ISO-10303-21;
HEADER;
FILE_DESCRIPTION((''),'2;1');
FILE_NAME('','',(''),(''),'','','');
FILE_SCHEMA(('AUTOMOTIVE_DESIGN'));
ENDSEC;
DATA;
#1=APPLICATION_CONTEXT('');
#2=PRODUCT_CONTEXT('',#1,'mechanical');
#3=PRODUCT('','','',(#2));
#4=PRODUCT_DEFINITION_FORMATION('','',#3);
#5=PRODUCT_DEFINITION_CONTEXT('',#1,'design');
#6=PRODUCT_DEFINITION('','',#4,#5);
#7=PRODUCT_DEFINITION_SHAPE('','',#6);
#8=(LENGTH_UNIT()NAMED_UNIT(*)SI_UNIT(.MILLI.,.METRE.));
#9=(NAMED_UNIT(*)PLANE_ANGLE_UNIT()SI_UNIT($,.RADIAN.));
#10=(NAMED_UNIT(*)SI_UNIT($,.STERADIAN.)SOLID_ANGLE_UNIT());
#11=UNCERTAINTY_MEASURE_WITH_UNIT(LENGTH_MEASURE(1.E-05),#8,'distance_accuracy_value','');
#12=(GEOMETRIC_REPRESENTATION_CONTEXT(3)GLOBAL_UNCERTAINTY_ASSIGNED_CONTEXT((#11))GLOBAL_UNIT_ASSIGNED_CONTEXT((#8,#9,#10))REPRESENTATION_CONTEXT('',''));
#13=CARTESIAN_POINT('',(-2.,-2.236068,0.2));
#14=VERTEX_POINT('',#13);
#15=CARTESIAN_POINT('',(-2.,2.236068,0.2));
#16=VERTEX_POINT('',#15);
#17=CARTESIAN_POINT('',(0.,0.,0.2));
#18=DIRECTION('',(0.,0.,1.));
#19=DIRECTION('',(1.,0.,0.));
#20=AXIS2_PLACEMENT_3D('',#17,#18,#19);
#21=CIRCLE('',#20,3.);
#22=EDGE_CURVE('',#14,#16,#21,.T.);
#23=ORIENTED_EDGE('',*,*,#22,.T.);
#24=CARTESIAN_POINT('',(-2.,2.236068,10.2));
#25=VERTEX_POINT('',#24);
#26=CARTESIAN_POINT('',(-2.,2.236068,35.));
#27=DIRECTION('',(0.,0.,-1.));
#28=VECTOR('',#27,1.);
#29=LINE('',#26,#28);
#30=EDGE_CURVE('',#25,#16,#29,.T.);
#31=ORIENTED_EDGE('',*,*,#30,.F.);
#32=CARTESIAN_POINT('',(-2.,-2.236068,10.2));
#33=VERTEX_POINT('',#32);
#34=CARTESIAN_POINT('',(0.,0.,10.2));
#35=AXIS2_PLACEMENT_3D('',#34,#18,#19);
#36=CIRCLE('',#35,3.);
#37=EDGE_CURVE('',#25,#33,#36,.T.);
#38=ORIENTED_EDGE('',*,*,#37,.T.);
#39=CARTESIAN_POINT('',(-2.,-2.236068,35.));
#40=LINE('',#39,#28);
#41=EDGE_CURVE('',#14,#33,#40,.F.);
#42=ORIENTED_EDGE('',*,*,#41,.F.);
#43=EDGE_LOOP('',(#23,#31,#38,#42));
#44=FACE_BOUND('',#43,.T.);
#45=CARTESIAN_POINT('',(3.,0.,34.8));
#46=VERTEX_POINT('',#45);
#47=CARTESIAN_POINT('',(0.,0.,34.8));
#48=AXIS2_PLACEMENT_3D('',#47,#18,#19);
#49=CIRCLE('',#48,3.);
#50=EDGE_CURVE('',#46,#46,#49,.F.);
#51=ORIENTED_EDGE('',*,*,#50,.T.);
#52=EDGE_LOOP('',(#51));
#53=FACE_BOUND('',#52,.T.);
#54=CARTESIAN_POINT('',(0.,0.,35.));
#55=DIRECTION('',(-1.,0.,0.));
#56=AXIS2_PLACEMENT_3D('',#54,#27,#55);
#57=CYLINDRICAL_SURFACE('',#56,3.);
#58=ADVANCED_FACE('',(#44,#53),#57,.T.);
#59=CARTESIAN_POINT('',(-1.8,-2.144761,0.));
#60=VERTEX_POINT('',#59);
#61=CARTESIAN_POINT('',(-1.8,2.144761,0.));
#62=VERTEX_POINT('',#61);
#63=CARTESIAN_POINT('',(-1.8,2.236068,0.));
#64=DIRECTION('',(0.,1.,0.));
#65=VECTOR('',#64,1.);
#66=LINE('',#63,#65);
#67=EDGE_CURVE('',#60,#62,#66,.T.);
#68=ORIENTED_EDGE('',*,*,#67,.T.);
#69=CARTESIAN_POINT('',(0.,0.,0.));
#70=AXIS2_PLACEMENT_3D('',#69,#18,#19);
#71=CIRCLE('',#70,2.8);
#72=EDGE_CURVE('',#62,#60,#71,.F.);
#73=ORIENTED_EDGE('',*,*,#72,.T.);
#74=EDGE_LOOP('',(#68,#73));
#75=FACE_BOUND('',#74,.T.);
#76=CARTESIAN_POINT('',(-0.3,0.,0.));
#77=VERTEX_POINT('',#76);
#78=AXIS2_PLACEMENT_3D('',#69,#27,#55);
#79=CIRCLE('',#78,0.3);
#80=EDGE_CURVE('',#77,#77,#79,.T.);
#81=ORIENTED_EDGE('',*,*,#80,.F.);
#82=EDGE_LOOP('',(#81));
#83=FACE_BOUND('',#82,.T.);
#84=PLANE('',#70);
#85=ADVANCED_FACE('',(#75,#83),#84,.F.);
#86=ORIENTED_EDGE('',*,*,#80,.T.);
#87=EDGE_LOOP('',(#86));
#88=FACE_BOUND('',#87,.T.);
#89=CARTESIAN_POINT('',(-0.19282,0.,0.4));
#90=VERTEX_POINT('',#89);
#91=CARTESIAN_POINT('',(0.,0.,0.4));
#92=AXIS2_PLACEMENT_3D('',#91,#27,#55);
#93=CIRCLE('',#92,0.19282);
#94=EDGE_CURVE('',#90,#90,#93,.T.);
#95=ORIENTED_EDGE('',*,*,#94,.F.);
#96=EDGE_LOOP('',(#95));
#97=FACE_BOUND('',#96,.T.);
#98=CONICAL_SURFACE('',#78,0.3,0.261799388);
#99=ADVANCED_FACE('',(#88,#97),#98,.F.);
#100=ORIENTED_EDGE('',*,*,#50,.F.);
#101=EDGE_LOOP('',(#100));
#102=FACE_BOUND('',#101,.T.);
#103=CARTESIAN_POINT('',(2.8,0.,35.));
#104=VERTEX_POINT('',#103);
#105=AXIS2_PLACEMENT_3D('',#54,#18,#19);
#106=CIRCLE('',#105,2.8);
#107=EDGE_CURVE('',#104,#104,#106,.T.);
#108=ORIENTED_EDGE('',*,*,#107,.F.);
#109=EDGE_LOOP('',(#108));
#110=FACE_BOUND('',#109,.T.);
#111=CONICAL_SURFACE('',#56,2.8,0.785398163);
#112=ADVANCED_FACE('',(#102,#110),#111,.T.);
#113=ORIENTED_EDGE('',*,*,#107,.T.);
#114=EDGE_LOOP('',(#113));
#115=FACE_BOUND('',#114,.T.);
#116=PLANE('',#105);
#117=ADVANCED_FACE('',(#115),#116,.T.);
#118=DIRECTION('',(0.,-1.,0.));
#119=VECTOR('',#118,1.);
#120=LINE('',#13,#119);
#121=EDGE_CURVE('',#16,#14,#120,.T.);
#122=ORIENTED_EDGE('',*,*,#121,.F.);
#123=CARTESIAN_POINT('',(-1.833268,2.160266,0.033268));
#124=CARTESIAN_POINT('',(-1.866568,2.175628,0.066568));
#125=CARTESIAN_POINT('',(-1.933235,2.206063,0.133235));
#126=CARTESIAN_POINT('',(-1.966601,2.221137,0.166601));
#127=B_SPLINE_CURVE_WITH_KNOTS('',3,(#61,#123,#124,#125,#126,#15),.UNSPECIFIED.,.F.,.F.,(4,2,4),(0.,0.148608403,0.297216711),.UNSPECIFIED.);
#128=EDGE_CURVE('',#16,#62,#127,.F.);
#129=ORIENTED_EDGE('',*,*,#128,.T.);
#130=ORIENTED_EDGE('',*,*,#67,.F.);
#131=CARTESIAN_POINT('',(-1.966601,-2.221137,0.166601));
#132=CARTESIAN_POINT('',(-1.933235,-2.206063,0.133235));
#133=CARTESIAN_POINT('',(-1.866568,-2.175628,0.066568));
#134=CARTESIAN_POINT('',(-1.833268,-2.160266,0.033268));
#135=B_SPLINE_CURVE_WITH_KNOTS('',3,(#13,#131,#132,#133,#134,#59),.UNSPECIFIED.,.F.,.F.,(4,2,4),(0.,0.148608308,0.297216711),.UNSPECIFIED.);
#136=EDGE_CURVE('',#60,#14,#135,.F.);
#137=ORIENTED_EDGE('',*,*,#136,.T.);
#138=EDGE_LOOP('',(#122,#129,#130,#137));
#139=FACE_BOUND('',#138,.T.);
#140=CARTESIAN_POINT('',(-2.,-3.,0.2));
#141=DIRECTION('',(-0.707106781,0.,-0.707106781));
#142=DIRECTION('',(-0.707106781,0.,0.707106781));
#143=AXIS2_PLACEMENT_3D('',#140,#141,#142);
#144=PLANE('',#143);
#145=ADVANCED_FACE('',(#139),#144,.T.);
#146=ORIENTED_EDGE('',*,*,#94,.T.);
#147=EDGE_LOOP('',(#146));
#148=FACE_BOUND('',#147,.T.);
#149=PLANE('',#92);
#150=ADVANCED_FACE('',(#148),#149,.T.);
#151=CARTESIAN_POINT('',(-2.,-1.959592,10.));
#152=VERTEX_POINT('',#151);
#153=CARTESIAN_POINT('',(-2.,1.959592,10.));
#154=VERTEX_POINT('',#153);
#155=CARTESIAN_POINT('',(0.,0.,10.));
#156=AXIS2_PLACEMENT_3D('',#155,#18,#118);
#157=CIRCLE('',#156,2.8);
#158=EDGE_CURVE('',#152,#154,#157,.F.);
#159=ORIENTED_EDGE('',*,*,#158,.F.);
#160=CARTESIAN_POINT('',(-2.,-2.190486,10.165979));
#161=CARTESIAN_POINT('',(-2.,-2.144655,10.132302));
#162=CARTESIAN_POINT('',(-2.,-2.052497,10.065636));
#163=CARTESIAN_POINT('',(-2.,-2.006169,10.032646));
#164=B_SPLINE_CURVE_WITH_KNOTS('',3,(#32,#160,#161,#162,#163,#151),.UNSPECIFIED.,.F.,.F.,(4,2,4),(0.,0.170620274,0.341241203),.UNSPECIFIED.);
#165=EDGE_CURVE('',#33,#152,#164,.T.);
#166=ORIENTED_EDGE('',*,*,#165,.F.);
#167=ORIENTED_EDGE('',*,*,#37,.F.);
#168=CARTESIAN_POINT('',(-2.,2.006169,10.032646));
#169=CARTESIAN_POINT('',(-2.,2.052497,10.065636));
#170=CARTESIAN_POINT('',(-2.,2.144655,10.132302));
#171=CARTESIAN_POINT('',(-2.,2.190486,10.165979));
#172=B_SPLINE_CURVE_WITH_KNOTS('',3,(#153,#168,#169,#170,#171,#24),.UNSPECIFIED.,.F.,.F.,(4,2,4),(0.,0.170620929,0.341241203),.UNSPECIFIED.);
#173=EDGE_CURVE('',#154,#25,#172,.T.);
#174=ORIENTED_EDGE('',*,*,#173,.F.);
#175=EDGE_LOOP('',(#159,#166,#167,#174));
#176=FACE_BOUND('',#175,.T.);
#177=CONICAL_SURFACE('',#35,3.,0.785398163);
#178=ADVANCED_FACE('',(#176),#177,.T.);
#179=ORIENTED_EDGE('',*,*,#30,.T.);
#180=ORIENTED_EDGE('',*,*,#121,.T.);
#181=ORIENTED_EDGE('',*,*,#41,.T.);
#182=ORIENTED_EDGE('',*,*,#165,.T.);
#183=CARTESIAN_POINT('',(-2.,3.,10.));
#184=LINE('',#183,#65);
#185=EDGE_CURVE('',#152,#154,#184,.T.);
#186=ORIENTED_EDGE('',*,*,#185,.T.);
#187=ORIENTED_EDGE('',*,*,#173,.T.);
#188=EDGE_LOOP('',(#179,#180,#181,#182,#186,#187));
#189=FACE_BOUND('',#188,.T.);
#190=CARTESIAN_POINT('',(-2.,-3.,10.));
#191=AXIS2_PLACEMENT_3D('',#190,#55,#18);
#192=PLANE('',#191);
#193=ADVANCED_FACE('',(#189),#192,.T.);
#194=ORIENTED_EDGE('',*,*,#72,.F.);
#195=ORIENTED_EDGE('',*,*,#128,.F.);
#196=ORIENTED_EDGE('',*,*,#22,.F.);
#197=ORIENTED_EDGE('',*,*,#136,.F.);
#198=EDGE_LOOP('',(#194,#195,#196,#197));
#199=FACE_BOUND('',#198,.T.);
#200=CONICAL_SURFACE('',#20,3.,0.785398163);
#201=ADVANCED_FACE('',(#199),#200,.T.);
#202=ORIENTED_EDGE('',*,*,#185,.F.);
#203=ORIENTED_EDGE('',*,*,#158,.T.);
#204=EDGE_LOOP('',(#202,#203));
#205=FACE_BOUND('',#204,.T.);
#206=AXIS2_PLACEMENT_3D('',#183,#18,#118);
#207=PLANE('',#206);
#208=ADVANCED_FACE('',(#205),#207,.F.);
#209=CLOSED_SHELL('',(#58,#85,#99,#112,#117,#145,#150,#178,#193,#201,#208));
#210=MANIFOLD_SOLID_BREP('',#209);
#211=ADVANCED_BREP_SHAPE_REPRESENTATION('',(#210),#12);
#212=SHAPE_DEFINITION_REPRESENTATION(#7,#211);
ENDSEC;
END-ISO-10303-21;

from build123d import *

# Parameters (mm, degrees)
SKETCH1_R           = 3
BOSS_EXTRUDE1_DEPTH = 35
SKETCH2_W           = 10
SKETCH2_H           = 6
CUT_EXTRUDE1_DEPTH  = 1
CHAMFER1_SIZE       = 0.2
SKETCH3_R           = 0.3
CUT_EXTRUDE2_DEPTH  = 0.4
CUT_EXTRUDE2_DRAFT  = -15


with BuildPart() as part:
    # Sketch1 → Boss-Extrude1 (new body)
    with BuildSketch(Plane.XY):
        Circle(SKETCH1_R)
    extrude(amount=BOSS_EXTRUDE1_DEPTH)

    # Sketch2 → Cut-Extrude1 (cut)
    with BuildSketch(Plane.ZY.offset(3)):
        with Locations((5, 0)):
            Rectangle(SKETCH2_W, SKETCH2_H)
    extrude(amount=-CUT_EXTRUDE1_DEPTH, mode=Mode.SUBTRACT)

    # Chamfer1
    chamfer1_edges = [part.edges().sort_by_distance(p)[0] for p in [
        (1.224744871, 2.738612788, 0),
        (-2, 0, 0),
        (-3, 0, 10),
        (-3, 0, 35),
    ]]
    chamfer(chamfer1_edges, length=CHAMFER1_SIZE)


with BuildPart() as cut_extrude2_tool:
    # Sketch3 → Cut-Extrude2 (with draft: the straight prism first)
    with BuildSketch(Plane(origin=(0, 0, 0), x_dir=(-1, 0, 0), z_dir=(0, 0, -1))):
        Circle(SKETCH3_R)
    extrude(amount=-CUT_EXTRUDE2_DEPTH)
    # Cut-Extrude2: the draft: its side faces are tilted about the plane it starts from
    cut_extrude2_sides = [cut_extrude2_tool.faces().sort_by_distance(p)[0] for p in [
        (0.3, 0, 0.2),
    ]]
    draft(cut_extrude2_sides, Plane(origin=(0, 0, 0), x_dir=(-1, 0, 0), z_dir=(0, 0, -1)), CUT_EXTRUDE2_DRAFT)


with BuildPart() as part_1:
    add(part.part)

    # Cut-Extrude2: cut by cut_extrude2_tool
    add(cut_extrude2_tool.part, mode=Mode.SUBTRACT)


solid = part_1.part
